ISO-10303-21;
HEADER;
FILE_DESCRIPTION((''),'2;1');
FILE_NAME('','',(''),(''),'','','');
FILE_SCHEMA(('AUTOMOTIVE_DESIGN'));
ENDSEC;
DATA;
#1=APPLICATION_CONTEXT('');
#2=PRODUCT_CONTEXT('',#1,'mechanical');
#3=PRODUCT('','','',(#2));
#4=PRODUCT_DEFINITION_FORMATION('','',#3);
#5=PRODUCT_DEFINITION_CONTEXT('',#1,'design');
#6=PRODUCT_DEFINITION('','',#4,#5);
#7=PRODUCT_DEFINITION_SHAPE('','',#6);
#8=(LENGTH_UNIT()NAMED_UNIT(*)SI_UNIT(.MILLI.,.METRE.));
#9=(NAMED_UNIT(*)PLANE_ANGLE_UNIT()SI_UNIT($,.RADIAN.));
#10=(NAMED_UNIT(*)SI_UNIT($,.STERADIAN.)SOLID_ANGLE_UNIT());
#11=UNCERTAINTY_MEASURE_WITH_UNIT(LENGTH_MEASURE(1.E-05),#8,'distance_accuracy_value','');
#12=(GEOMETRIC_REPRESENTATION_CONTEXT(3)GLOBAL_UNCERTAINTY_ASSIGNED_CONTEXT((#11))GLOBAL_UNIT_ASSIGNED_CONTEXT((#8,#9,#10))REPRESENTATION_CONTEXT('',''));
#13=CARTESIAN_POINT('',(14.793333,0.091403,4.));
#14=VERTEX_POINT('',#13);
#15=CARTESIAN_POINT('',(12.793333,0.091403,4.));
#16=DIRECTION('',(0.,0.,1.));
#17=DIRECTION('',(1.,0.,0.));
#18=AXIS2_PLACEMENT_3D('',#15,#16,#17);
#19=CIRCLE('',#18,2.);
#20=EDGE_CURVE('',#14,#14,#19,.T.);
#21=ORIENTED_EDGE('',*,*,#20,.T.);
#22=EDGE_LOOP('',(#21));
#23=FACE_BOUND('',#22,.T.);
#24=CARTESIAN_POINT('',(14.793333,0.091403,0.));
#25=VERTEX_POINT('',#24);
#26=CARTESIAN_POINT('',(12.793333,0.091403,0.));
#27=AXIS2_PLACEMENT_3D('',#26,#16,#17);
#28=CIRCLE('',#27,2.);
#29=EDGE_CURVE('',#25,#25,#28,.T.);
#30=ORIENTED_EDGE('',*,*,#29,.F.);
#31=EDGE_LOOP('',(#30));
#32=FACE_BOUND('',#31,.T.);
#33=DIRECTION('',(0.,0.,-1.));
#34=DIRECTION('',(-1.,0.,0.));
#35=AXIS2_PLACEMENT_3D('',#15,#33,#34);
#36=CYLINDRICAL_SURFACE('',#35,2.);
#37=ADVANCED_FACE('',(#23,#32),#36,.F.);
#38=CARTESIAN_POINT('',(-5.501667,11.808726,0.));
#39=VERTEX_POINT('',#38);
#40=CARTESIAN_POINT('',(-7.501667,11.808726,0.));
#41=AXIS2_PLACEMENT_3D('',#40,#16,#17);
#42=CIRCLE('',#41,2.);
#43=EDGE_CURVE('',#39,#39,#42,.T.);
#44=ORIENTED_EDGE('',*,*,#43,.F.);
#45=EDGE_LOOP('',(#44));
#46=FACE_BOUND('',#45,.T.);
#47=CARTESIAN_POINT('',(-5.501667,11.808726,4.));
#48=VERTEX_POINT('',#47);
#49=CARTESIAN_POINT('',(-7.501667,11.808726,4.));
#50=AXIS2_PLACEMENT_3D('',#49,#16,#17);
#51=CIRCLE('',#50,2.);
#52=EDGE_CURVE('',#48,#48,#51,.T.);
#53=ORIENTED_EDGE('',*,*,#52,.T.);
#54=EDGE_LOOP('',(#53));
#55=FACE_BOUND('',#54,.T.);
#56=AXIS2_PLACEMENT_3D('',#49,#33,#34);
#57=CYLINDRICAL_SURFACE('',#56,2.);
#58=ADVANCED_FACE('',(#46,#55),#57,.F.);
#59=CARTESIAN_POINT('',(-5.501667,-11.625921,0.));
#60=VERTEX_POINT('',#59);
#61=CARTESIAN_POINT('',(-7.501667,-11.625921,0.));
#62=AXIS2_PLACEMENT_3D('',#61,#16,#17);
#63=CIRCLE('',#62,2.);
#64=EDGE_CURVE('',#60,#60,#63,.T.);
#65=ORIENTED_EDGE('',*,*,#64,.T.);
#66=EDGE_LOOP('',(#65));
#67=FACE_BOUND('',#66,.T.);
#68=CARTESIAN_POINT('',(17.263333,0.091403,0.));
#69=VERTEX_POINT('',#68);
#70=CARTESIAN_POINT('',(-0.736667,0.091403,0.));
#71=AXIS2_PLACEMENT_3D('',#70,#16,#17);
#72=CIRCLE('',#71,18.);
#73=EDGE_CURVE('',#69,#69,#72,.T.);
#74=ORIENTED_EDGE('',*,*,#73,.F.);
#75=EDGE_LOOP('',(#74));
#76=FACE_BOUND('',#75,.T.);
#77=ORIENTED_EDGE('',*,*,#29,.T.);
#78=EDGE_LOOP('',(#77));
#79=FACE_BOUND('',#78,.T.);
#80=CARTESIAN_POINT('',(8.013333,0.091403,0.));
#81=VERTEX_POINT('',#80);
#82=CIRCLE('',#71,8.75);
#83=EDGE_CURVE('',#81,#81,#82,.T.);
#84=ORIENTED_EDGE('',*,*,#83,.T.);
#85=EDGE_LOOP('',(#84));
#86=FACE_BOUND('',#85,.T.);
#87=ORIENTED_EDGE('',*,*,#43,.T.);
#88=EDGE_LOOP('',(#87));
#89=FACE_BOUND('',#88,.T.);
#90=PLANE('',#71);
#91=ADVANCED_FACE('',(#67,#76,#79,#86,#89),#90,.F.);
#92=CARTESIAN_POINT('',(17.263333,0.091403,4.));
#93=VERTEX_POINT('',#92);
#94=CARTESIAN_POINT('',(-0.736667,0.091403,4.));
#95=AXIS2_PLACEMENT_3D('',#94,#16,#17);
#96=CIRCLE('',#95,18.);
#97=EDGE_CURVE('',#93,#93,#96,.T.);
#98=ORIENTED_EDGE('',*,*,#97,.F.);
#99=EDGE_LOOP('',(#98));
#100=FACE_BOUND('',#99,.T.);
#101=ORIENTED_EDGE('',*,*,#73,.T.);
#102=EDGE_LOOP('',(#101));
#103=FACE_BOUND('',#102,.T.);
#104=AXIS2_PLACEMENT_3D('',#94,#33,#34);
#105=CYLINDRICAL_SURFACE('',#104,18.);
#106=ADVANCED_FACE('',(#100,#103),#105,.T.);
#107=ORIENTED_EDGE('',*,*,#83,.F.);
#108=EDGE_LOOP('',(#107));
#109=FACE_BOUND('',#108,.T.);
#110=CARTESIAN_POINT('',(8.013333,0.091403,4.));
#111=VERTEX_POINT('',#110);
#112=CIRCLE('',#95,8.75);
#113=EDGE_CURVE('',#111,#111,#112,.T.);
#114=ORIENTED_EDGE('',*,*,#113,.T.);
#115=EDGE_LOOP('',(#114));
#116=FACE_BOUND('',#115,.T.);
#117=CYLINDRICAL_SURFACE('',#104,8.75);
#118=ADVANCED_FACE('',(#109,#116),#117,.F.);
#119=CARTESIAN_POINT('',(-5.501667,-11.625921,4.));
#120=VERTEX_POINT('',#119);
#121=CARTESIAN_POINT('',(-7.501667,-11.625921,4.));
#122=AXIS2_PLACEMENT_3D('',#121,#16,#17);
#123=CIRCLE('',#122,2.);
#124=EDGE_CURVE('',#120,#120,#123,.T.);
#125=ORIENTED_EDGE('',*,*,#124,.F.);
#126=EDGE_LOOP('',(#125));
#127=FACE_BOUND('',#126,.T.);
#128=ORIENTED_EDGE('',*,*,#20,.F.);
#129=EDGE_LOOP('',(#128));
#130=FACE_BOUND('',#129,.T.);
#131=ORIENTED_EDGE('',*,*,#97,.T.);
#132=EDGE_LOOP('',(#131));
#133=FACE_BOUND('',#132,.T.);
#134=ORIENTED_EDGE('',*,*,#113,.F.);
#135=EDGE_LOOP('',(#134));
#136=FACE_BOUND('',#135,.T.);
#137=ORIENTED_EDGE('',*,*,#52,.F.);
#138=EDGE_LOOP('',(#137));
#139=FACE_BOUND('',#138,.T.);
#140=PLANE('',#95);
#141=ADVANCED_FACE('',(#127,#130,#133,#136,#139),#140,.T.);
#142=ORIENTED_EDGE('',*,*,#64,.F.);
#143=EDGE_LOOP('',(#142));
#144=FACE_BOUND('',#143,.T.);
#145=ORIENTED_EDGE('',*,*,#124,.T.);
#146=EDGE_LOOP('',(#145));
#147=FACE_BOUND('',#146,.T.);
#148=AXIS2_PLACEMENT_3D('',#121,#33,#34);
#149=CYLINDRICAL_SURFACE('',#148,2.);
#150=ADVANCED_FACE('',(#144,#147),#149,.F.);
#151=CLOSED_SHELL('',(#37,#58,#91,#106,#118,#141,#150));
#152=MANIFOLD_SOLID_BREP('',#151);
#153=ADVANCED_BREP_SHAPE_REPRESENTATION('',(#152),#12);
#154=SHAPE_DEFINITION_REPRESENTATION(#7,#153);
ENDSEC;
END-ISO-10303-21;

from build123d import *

# Parameters (mm, degrees)
SKETCH_1_R      = 18
SKETCH_1_R_2    = 8.75
SKETCH_1_R_3    = 2
EXTRUDE_1_DEPTH = 4


with BuildPart() as part:
    # 草图1 → 凸台-拉伸1 (new body)
    with BuildSketch(Plane.XY):
        with Locations((-0.736666667, 0.091402557)):
            Circle(SKETCH_1_R)
        with Locations((-0.736666667, 0.091402557)):
            Circle(SKETCH_1_R_2, mode=Mode.SUBTRACT)
        with Locations((12.793333333, 0.091402557)):
            Circle(SKETCH_1_R_3, mode=Mode.SUBTRACT)
        with Locations((-7.501666667, -11.625921157)):
            Circle(SKETCH_1_R_3, mode=Mode.SUBTRACT)
        with Locations((-7.501666667, 11.80872627)):
            Circle(SKETCH_1_R_3, mode=Mode.SUBTRACT)
    extrude(amount=EXTRUDE_1_DEPTH)


solid = part.part
